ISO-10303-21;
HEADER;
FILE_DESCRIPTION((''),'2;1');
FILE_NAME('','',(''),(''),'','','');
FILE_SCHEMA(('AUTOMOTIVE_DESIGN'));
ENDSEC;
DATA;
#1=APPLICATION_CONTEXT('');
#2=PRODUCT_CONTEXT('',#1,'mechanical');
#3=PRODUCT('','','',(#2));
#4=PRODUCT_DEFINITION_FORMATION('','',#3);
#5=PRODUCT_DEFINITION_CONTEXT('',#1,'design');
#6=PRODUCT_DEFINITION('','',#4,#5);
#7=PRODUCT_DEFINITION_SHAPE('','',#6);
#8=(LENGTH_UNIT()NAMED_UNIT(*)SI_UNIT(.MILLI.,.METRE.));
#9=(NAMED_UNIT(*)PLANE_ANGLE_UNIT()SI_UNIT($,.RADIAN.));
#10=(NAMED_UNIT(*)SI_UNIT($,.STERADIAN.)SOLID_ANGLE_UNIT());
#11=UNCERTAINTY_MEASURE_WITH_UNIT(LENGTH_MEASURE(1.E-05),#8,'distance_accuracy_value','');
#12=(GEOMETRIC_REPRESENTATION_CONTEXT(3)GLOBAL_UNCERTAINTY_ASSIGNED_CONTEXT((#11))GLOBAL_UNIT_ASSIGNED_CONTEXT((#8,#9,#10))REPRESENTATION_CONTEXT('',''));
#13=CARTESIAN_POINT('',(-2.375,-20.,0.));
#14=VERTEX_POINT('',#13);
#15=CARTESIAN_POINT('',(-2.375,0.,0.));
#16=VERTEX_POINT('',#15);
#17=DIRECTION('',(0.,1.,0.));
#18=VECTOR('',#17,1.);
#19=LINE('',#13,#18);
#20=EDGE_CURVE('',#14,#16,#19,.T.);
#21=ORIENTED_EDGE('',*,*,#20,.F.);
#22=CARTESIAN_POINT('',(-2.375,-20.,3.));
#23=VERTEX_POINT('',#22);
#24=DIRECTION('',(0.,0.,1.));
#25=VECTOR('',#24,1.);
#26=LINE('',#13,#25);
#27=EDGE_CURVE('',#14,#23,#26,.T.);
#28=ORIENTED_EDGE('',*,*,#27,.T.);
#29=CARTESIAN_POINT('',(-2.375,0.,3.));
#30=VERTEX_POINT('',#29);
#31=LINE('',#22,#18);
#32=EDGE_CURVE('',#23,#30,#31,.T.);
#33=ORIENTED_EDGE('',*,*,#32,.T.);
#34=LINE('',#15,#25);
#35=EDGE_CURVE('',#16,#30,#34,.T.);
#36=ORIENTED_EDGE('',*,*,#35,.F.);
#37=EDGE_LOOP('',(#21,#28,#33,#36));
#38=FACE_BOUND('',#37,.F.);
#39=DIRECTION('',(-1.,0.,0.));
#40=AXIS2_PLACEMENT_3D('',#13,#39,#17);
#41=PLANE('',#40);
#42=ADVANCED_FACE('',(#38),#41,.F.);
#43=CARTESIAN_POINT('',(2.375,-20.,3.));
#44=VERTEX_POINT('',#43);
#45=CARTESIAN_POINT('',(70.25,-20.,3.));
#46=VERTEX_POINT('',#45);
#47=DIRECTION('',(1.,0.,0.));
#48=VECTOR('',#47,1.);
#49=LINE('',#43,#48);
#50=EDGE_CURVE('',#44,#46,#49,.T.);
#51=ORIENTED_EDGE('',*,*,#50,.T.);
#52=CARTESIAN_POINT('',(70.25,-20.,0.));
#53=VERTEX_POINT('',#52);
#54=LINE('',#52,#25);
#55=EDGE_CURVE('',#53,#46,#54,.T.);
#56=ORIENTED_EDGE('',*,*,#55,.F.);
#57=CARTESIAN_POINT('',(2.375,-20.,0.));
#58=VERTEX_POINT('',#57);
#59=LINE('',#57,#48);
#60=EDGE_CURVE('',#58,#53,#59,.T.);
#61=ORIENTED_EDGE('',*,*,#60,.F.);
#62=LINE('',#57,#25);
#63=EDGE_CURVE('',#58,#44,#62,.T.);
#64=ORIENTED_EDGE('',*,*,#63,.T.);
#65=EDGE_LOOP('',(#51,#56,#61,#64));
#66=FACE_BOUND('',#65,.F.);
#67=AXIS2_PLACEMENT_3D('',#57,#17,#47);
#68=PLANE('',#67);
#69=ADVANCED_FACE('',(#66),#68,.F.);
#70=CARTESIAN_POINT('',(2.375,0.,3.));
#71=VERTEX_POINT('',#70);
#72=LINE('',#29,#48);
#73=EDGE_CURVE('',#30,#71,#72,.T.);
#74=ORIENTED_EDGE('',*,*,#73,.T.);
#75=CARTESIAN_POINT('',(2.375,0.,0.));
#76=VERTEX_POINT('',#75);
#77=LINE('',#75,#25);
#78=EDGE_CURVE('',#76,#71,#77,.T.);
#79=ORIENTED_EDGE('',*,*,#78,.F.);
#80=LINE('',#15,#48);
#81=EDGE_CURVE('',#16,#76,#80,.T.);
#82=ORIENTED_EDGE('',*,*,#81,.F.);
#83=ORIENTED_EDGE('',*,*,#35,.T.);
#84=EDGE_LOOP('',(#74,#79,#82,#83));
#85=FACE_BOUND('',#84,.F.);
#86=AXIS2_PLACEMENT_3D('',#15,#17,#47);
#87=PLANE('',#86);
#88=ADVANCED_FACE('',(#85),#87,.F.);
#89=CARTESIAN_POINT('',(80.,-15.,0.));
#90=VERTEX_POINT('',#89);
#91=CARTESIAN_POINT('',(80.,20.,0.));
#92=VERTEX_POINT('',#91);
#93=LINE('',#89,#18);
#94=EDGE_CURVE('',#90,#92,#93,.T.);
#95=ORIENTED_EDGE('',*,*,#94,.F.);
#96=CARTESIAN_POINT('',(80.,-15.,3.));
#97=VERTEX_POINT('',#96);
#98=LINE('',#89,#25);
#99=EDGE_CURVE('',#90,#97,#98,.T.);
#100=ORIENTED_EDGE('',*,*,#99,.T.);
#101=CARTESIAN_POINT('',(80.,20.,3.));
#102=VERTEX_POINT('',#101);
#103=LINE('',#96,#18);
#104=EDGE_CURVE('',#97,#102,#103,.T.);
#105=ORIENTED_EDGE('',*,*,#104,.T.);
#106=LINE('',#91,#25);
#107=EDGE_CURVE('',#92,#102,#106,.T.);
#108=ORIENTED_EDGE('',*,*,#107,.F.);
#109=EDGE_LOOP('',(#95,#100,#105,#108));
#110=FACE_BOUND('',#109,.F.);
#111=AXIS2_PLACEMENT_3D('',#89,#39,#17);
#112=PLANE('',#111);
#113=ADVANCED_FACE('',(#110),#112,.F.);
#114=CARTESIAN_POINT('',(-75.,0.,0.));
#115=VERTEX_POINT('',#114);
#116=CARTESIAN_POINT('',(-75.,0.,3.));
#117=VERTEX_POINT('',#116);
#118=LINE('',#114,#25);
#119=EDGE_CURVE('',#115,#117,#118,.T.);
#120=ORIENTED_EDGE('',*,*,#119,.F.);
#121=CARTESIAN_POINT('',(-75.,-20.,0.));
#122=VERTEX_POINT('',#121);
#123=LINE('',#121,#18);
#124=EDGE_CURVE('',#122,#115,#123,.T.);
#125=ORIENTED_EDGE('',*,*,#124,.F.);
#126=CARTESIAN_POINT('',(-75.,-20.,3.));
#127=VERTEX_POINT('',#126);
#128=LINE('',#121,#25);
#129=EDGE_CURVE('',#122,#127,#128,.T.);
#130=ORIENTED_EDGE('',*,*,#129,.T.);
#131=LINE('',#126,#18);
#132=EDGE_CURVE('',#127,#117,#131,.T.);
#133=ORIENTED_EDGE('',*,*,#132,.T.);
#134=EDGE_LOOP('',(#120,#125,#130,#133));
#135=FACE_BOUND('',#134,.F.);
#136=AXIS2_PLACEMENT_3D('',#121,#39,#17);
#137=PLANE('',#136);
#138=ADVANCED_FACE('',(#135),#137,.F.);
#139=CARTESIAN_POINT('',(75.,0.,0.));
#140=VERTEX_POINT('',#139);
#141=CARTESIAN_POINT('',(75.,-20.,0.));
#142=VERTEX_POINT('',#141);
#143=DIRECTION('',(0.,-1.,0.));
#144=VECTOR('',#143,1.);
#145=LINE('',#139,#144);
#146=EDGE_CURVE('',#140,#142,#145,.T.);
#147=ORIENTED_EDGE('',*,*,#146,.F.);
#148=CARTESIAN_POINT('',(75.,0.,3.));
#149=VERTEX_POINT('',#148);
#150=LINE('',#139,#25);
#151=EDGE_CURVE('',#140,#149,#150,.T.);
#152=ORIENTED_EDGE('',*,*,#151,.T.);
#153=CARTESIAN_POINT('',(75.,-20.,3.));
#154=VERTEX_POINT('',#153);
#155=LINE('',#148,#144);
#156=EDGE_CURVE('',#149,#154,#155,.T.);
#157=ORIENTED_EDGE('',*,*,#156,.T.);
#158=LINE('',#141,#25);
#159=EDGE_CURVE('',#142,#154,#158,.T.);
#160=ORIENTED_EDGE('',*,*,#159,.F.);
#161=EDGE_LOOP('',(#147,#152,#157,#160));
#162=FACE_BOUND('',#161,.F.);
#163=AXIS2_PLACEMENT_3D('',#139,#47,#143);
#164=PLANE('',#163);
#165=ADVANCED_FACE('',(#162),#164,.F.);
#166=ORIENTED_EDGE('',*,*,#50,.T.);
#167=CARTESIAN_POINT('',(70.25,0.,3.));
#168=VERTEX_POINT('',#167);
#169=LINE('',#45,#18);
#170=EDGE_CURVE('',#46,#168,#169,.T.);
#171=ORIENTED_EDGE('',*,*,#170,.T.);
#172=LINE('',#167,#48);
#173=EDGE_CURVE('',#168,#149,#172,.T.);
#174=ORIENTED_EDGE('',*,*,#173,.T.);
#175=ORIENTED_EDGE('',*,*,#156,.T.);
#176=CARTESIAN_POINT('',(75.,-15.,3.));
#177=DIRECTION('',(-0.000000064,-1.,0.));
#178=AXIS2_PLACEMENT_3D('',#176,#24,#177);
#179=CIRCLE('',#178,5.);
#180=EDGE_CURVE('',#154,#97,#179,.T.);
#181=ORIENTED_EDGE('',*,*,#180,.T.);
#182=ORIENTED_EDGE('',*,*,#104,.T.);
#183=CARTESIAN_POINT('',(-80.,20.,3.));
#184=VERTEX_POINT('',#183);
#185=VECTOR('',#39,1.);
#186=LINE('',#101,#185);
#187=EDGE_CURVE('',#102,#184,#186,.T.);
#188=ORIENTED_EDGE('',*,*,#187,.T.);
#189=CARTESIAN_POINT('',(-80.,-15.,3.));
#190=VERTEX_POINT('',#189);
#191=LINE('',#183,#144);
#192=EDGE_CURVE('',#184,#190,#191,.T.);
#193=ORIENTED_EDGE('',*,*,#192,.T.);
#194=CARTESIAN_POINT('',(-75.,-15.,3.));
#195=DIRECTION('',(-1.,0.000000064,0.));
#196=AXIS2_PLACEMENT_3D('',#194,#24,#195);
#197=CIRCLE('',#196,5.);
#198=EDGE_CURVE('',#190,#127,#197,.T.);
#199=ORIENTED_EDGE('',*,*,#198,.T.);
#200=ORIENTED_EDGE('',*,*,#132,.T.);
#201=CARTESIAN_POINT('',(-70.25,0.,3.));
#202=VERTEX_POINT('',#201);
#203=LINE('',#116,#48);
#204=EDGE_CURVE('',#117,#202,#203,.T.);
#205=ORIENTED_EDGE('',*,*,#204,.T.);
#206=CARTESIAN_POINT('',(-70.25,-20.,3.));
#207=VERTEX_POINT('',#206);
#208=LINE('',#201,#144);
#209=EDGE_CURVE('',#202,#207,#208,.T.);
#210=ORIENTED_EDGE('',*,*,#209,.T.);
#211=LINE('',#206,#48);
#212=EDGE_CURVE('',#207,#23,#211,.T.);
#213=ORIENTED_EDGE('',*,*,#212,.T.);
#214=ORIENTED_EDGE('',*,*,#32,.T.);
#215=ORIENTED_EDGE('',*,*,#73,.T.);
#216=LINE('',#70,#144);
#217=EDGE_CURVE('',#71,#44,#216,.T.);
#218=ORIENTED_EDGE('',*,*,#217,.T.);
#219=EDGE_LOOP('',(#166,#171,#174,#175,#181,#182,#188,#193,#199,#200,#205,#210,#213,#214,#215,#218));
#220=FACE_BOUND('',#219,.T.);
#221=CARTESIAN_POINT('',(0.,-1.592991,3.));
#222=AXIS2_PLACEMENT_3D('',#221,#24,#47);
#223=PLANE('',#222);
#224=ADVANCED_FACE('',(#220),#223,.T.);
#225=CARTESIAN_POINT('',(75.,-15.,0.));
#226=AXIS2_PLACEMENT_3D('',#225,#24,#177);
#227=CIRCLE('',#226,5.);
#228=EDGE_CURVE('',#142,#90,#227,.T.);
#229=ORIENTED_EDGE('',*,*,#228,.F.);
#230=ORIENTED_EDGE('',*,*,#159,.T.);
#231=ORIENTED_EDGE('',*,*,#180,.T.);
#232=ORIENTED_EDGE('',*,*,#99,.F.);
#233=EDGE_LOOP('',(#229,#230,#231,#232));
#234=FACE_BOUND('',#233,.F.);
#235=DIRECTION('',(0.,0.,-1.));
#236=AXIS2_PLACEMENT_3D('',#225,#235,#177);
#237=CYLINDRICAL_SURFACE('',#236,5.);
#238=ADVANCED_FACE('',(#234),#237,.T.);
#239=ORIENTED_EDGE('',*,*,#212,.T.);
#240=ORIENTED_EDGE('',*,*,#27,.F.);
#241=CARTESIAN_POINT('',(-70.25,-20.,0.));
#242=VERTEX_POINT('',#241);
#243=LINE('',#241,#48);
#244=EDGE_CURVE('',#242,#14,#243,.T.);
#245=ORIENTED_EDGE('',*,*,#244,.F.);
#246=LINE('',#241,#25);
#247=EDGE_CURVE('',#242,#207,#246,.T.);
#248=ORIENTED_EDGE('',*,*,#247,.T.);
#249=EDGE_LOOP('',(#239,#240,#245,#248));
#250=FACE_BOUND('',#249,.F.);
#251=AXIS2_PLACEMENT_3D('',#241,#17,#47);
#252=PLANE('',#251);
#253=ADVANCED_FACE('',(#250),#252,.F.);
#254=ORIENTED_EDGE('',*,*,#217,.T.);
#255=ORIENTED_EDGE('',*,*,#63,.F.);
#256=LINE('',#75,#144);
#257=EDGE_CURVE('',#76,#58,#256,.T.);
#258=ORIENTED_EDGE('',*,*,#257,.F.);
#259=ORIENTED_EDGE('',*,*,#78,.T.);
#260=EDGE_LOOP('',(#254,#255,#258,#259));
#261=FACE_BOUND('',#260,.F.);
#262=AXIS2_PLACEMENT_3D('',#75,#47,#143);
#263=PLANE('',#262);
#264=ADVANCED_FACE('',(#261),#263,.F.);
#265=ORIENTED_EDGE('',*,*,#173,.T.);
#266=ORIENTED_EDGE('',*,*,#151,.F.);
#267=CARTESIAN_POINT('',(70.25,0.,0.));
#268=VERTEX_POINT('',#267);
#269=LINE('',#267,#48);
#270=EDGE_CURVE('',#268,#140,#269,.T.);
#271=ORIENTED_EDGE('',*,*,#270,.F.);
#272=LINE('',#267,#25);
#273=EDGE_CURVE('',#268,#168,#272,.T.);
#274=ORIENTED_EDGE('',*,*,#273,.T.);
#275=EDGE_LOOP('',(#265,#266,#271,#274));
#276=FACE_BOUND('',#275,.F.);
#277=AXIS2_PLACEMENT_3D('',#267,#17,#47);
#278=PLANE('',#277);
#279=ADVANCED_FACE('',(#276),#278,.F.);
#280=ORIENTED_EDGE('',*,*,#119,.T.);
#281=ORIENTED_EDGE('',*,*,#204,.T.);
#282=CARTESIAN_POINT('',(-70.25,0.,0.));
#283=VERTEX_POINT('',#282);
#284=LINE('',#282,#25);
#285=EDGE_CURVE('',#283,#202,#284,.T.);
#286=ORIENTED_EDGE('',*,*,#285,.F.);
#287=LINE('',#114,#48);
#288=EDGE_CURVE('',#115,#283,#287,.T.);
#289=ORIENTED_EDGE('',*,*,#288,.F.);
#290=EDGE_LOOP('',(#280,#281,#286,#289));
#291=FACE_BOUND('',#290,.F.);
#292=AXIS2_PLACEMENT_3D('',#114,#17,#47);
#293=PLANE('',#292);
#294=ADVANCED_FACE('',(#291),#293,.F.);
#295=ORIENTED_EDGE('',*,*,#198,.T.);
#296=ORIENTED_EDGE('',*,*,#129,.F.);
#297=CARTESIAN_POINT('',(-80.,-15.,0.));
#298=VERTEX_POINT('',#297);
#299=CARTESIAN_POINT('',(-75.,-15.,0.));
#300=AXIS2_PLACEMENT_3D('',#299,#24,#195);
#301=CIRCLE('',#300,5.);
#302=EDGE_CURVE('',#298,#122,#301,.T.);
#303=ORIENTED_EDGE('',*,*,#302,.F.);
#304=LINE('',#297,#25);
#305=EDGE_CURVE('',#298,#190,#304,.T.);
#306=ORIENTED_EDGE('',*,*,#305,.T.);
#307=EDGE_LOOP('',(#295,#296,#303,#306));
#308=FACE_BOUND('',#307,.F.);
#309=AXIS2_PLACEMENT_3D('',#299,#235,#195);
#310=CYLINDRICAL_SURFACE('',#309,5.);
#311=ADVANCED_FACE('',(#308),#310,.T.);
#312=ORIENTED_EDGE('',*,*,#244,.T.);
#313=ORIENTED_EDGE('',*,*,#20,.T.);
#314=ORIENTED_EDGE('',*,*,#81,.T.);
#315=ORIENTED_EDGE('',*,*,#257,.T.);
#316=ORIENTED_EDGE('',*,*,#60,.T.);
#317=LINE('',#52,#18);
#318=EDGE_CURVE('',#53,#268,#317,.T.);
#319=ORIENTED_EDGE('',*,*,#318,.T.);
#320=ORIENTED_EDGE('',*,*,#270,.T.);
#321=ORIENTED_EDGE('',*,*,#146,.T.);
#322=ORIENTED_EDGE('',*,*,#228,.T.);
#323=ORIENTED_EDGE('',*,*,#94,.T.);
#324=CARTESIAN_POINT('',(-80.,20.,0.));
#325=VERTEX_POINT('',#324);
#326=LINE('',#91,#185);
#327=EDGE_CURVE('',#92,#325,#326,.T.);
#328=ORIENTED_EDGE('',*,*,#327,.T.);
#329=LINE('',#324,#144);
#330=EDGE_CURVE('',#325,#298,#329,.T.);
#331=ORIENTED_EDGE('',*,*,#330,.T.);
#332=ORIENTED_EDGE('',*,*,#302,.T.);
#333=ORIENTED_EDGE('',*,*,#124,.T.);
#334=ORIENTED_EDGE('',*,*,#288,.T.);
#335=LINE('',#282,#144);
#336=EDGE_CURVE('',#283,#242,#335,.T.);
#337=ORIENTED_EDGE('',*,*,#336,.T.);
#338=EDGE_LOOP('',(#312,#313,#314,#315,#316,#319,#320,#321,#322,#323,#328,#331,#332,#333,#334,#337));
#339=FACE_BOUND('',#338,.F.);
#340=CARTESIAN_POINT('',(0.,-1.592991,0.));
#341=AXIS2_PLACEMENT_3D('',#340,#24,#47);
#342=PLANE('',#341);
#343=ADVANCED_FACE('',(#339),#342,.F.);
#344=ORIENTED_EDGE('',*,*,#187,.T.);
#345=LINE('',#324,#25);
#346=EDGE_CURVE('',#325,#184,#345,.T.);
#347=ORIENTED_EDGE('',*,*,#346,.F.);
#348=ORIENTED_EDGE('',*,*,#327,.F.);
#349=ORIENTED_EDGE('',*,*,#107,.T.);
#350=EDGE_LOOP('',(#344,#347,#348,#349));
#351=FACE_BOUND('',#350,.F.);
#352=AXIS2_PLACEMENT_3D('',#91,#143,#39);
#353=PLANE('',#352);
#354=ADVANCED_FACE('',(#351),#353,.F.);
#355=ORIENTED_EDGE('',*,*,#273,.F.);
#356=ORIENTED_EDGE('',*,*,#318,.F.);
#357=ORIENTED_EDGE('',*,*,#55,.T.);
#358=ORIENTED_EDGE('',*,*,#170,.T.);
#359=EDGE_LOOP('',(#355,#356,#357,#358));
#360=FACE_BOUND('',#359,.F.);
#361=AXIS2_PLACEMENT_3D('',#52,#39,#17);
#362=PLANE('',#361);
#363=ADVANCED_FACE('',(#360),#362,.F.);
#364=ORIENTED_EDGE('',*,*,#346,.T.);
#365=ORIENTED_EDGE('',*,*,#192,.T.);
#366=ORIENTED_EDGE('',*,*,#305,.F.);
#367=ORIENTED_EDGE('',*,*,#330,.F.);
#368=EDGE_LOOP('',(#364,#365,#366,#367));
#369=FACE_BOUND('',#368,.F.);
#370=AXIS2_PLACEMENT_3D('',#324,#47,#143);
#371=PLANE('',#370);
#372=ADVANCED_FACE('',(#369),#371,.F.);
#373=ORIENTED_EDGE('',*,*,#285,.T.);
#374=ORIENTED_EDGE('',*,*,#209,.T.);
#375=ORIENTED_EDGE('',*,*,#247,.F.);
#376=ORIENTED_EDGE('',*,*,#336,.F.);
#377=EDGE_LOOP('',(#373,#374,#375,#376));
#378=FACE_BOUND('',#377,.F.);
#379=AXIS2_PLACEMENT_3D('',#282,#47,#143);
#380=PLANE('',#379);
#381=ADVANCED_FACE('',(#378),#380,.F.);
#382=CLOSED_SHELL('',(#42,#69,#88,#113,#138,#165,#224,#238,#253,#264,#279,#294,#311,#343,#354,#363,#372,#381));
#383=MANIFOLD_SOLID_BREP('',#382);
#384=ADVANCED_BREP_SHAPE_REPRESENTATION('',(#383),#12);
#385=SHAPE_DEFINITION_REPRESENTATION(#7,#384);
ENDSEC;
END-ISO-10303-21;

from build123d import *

# Parameters (mm, degrees)
F1_DEPTH = 3


with BuildPart() as f1:
    # F0 (on Top) → F1 (new body)
    with BuildSketch(Plane.XY):
        with BuildLine():
            Line((80, 20), (-80, 20))
            Line((-80, 20), (-80, -15))
            ThreePointArc((-80, -15), (-78.535534, -18.535534), (-75, -20))
            Line((-75, -20), (-75, 0))
            Line((-75, 0), (-70.25, 0))
            Line((-70.25, 0), (-70.25, -20))
            Line((-70.25, -20), (-2.375, -20))
            Line((-2.375, -20), (-2.375, 0))
            Line((-2.375, 0), (2.375, 0))
            Line((2.375, 0), (2.375, -20))
            Line((2.375, -20), (70.25, -20))
            Line((70.25, -20), (70.25, 0))
            Line((70.25, 0), (75, 0))
            Line((75, 0), (75, -20))
            ThreePointArc((75, -20), (78.535534, -18.535534), (80, -15))
            Line((80, -15), (80, 20))
        make_face()
    extrude(amount=F1_DEPTH)


solid = f1.part
